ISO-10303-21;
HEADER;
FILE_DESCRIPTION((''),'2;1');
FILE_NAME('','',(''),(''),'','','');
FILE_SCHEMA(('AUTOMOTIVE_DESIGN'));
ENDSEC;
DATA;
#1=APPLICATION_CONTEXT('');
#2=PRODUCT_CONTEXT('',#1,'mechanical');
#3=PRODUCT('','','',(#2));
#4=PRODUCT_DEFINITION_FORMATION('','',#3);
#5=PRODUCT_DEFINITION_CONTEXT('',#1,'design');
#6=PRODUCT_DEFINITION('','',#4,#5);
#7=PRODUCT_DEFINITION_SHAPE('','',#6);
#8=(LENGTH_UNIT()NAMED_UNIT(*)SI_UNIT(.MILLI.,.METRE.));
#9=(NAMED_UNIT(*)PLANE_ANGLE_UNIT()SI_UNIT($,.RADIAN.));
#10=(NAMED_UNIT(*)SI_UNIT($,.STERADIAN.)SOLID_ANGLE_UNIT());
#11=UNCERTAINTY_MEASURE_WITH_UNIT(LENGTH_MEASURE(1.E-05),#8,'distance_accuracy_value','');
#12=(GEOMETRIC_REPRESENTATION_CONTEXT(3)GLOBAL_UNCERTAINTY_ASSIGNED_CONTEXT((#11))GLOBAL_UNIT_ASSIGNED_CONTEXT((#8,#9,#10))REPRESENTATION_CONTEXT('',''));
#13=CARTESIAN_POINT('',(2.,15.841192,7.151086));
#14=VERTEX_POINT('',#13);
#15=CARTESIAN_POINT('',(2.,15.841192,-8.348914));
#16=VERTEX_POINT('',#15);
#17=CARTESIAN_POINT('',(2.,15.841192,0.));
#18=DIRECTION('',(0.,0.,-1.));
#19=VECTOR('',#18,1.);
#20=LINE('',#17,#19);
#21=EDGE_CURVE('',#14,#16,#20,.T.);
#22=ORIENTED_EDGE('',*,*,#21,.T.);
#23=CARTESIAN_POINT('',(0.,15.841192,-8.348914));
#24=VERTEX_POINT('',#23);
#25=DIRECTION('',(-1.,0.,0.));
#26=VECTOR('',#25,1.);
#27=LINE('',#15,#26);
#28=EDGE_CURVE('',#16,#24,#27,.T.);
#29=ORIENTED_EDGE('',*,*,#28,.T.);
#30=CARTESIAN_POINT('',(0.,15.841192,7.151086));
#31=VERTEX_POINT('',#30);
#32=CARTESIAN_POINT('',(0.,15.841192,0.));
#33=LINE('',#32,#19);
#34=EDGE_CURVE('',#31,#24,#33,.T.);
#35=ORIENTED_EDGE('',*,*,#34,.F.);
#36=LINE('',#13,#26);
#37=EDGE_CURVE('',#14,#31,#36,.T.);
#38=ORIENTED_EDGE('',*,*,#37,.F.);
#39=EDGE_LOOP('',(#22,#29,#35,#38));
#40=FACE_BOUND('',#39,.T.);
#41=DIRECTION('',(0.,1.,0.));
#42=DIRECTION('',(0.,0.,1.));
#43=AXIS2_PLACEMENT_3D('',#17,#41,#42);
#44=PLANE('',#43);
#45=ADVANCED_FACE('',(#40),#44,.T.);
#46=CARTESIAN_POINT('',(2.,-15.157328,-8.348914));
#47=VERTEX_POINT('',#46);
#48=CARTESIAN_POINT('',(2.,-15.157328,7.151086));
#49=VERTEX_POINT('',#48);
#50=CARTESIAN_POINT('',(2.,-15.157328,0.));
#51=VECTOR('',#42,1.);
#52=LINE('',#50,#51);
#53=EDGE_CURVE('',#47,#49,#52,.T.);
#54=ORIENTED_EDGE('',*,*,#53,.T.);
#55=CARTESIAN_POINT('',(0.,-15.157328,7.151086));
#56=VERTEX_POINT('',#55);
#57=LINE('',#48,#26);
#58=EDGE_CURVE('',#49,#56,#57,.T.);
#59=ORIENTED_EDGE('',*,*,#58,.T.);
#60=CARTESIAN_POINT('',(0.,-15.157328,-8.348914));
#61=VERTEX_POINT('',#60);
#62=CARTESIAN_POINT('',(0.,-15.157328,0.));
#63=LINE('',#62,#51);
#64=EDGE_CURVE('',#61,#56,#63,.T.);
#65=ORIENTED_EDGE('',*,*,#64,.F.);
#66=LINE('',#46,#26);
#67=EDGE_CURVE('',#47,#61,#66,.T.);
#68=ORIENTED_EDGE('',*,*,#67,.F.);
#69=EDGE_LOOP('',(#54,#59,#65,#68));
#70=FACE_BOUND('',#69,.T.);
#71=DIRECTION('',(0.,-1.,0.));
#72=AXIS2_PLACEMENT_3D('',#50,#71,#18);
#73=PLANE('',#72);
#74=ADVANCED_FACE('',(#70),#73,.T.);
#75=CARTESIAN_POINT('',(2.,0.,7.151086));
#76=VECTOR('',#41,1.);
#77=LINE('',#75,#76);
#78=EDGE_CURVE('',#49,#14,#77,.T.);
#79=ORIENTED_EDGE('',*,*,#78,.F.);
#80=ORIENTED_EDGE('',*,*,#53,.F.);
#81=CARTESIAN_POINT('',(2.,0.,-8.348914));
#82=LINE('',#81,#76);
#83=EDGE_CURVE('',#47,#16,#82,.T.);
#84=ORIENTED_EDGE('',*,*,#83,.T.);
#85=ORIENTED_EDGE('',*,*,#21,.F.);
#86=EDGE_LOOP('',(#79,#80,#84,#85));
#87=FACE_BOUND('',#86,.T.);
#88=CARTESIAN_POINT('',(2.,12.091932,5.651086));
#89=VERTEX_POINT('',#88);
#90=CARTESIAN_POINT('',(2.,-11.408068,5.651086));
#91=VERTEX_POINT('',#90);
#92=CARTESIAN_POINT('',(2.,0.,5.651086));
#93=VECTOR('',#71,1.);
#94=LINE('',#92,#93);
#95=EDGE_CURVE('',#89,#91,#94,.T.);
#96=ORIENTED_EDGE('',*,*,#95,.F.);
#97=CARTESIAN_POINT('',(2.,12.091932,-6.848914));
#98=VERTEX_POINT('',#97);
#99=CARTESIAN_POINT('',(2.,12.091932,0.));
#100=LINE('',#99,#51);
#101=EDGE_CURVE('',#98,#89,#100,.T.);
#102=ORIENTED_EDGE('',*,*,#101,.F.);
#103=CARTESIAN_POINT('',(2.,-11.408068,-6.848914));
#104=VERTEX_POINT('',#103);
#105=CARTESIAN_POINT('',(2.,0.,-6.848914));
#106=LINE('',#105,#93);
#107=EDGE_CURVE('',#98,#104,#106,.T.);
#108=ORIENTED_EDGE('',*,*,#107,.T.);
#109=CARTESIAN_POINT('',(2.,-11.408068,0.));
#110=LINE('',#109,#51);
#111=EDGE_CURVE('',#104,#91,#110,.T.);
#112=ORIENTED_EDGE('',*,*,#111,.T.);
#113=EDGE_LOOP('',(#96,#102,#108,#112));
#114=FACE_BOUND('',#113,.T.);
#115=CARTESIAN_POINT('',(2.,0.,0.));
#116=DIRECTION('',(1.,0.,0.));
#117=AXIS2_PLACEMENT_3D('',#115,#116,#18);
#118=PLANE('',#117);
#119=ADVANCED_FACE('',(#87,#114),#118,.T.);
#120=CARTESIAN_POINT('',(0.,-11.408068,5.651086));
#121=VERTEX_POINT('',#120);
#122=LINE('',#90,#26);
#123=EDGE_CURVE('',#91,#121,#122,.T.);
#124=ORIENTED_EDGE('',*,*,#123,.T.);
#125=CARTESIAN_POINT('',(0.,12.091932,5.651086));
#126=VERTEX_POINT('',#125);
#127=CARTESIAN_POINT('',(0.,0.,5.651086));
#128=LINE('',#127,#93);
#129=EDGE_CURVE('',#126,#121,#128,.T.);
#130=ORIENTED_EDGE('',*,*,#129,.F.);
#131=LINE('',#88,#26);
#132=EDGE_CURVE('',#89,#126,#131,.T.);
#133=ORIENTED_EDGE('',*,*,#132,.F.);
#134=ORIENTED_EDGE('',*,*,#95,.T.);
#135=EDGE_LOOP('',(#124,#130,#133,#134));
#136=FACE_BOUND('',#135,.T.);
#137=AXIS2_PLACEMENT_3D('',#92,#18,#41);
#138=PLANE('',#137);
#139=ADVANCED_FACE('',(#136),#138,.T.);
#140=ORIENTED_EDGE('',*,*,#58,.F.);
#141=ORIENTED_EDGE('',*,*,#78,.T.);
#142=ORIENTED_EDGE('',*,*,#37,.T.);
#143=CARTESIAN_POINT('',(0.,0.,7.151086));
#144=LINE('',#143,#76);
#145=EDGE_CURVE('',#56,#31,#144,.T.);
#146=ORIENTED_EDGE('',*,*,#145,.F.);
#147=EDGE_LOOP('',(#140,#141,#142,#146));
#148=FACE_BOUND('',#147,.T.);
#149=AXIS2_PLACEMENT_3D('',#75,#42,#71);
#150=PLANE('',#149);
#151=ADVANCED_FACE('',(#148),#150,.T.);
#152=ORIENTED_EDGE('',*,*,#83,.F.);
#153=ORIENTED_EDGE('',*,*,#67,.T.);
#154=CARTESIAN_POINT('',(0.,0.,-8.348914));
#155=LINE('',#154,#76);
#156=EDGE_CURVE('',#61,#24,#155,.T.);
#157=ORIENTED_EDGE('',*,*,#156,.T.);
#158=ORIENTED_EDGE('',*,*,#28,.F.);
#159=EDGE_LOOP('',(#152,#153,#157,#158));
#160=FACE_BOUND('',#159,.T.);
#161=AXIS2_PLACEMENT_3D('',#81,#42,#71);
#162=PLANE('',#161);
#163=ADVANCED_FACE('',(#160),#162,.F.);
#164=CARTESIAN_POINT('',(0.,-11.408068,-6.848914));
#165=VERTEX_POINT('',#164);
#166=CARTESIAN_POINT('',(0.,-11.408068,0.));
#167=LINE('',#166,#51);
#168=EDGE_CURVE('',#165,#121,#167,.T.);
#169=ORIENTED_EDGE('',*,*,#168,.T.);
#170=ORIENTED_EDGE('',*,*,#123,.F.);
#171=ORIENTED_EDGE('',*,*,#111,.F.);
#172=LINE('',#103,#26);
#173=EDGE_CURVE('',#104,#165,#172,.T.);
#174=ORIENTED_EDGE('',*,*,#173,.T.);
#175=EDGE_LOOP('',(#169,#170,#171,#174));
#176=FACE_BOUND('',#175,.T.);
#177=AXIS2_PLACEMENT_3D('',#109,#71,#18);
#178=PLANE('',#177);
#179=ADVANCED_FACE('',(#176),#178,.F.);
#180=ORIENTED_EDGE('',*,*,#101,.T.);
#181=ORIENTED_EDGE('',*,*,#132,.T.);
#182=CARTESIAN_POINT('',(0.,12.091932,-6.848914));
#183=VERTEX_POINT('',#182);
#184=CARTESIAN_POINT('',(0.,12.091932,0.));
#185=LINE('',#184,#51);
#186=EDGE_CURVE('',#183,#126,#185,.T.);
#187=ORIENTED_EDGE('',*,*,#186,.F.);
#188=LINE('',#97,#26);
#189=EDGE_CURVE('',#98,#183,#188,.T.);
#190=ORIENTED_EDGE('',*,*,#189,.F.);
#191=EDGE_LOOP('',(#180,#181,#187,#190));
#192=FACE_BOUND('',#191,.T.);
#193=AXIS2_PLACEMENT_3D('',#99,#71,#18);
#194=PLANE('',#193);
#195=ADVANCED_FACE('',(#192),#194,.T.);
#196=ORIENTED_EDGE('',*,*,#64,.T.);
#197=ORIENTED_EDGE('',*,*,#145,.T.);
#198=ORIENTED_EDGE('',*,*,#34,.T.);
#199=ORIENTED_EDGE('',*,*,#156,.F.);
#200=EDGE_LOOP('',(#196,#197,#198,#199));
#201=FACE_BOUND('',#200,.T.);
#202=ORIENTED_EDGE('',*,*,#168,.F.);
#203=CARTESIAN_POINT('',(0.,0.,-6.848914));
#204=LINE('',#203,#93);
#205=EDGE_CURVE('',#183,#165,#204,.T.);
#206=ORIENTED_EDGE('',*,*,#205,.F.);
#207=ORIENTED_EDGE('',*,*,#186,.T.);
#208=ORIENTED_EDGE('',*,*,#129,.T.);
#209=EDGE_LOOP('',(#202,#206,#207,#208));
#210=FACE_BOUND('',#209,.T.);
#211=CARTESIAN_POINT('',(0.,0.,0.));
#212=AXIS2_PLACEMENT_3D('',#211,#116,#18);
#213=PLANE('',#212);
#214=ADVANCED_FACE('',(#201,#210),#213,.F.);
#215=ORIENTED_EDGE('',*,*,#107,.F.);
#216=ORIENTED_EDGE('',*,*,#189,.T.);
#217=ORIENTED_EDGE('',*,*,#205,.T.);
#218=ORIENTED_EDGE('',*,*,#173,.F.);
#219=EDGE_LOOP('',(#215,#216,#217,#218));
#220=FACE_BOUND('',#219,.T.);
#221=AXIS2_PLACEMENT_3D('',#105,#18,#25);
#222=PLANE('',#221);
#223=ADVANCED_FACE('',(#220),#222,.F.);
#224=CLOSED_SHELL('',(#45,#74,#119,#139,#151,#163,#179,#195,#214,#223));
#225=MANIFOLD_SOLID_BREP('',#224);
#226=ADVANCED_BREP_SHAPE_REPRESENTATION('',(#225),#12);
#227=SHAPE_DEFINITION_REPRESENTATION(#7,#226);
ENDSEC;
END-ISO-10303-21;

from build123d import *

# Parameters (mm, degrees)
SKETCH1_W           = 23.5
SKETCH1_H           = 12.5
BOSS_EXTRUDE1_DEPTH = 2


with BuildPart() as part:
    # Sketch1 → Boss-Extrude1 (new body)
    with BuildSketch(Plane.YZ):
        Polygon((15.84119162, -7.151864849), (15.84119162, -8.348913545), (-15.15732803, -8.348913545), (-15.15732803, -6.848913545), (-15.15732803, 5.651086455), (-15.15732803, 7.151086455), (15.84119162, 7.151086455), (15.84119162, 6.848135151), align=None)
        with Locations((0.341931795, -0.598913545)):
            Rectangle(SKETCH1_W, SKETCH1_H, mode=Mode.SUBTRACT)
    extrude(amount=BOSS_EXTRUDE1_DEPTH)


solid = part.part
